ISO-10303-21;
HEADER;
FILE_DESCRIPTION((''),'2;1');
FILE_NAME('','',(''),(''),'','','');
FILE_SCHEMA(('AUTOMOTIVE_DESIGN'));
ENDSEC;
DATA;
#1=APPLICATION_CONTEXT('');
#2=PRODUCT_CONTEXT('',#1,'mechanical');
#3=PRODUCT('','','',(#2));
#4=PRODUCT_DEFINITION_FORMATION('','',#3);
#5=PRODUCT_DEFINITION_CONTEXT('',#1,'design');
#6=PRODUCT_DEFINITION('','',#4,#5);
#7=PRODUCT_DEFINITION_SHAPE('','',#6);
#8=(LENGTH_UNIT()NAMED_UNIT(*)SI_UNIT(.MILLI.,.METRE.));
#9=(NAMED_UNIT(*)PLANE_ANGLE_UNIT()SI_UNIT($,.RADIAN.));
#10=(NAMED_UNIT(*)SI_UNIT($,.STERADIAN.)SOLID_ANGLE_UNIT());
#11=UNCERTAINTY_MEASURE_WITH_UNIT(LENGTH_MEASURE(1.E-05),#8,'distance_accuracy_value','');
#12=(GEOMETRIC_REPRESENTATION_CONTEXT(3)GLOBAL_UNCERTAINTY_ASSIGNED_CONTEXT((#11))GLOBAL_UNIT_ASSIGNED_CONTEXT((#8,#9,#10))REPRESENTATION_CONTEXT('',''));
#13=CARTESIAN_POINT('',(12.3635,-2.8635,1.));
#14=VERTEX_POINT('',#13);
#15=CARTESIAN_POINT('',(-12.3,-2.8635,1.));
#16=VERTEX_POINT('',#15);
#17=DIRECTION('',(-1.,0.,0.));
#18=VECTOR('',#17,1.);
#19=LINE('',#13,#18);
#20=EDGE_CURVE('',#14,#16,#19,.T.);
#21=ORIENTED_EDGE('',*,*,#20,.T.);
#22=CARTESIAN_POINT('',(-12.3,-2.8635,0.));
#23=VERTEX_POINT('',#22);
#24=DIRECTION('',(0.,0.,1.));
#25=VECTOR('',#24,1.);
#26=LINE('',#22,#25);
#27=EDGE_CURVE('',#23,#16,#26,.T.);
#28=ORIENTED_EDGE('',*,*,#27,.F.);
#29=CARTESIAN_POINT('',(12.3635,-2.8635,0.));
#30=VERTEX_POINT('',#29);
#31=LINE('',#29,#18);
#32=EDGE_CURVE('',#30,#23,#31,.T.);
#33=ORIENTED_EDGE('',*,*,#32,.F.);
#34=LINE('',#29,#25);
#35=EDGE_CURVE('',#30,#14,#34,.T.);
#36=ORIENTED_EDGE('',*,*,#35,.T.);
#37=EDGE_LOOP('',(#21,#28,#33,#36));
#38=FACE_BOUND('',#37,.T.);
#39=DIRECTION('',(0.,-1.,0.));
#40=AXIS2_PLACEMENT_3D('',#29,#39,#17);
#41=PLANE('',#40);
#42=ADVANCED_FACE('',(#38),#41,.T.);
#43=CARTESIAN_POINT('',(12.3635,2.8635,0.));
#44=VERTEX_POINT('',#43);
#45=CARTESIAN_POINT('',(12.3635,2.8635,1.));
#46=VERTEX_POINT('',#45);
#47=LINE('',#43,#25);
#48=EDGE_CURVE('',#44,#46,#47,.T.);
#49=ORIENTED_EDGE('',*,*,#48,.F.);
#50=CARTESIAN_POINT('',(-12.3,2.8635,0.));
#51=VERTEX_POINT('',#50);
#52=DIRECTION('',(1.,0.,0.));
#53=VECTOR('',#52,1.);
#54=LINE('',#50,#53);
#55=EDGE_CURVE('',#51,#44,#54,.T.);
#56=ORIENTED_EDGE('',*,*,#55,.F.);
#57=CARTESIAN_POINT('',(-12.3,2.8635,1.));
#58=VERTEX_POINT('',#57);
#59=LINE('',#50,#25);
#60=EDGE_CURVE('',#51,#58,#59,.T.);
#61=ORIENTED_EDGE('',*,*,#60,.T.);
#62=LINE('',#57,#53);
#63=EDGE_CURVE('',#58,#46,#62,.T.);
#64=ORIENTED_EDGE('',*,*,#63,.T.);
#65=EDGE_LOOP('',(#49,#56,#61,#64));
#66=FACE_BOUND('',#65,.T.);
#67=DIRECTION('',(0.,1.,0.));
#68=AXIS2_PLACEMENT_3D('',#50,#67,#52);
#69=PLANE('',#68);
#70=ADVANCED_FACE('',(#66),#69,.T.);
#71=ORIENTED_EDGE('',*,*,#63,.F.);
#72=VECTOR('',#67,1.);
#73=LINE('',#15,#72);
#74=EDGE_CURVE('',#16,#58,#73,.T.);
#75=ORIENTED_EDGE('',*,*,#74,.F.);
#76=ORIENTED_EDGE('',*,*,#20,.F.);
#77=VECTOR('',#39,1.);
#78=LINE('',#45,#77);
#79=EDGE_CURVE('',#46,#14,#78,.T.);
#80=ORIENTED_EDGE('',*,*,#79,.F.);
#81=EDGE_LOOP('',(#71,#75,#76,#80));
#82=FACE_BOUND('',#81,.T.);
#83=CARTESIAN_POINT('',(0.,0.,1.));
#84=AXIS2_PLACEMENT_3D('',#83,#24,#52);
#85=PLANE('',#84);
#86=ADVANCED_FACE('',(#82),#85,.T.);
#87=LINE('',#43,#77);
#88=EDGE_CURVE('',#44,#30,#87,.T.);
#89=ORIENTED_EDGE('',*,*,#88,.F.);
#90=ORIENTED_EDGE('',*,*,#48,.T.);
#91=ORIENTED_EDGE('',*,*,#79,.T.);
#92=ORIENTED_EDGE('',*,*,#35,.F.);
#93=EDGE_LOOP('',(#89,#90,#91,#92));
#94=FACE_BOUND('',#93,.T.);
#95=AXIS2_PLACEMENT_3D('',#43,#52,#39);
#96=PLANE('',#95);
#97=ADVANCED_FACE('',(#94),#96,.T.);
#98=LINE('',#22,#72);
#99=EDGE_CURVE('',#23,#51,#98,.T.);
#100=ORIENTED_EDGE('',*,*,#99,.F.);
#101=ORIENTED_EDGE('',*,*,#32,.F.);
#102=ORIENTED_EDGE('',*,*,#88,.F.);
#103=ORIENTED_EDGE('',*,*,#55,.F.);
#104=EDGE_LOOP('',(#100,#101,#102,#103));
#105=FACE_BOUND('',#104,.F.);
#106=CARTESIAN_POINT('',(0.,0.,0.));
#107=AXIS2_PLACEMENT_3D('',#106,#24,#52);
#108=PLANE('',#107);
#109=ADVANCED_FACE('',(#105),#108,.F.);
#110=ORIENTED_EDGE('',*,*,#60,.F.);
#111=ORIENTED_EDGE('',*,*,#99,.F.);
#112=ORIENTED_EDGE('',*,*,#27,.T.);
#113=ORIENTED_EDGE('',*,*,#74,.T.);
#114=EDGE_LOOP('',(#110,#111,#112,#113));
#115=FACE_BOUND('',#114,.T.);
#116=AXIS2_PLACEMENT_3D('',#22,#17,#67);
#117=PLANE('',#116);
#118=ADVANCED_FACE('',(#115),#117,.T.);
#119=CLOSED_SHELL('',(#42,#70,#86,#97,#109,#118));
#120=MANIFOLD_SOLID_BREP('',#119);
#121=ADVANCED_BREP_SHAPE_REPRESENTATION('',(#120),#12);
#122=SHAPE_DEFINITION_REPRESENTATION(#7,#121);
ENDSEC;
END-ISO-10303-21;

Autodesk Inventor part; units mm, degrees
ref_plane "YZ Plane" through (0, 0, 0) normal (1, 0, 0) x (0, 1, 0)
ref_plane "XZ Plane" through (0, 0, 0) normal (0, 1, 0) x (-1, 0, 0)
ref_plane "XY Plane" through (0, 0, 0) normal (0, 0, 1) x (1, 0, 0)
sketch "FX8C-060S-SV_92_, FX8C-060S-SV_92__88" plane through (0, 0, 0) normal (0, 0, 1) x (1, 0, 0)
  line L0 (-12.3, 2.8635) -> (12.3635, 2.8635)
  line L1 (12.3635, 2.8635) -> (12.3635, -2.8635)
  line L2 (12.3635, -2.8635) -> (-12.3, -2.8635)
  line L3 (-12.3, -2.8635) -> (-12.3, 2.8635)
extrude "Extrusion1" add sketch "FX8C-060S-SV_92_, FX8C-060S-SV_92__88" along normal blind 1
properties part number "FX8C-060S-SV_92_"
